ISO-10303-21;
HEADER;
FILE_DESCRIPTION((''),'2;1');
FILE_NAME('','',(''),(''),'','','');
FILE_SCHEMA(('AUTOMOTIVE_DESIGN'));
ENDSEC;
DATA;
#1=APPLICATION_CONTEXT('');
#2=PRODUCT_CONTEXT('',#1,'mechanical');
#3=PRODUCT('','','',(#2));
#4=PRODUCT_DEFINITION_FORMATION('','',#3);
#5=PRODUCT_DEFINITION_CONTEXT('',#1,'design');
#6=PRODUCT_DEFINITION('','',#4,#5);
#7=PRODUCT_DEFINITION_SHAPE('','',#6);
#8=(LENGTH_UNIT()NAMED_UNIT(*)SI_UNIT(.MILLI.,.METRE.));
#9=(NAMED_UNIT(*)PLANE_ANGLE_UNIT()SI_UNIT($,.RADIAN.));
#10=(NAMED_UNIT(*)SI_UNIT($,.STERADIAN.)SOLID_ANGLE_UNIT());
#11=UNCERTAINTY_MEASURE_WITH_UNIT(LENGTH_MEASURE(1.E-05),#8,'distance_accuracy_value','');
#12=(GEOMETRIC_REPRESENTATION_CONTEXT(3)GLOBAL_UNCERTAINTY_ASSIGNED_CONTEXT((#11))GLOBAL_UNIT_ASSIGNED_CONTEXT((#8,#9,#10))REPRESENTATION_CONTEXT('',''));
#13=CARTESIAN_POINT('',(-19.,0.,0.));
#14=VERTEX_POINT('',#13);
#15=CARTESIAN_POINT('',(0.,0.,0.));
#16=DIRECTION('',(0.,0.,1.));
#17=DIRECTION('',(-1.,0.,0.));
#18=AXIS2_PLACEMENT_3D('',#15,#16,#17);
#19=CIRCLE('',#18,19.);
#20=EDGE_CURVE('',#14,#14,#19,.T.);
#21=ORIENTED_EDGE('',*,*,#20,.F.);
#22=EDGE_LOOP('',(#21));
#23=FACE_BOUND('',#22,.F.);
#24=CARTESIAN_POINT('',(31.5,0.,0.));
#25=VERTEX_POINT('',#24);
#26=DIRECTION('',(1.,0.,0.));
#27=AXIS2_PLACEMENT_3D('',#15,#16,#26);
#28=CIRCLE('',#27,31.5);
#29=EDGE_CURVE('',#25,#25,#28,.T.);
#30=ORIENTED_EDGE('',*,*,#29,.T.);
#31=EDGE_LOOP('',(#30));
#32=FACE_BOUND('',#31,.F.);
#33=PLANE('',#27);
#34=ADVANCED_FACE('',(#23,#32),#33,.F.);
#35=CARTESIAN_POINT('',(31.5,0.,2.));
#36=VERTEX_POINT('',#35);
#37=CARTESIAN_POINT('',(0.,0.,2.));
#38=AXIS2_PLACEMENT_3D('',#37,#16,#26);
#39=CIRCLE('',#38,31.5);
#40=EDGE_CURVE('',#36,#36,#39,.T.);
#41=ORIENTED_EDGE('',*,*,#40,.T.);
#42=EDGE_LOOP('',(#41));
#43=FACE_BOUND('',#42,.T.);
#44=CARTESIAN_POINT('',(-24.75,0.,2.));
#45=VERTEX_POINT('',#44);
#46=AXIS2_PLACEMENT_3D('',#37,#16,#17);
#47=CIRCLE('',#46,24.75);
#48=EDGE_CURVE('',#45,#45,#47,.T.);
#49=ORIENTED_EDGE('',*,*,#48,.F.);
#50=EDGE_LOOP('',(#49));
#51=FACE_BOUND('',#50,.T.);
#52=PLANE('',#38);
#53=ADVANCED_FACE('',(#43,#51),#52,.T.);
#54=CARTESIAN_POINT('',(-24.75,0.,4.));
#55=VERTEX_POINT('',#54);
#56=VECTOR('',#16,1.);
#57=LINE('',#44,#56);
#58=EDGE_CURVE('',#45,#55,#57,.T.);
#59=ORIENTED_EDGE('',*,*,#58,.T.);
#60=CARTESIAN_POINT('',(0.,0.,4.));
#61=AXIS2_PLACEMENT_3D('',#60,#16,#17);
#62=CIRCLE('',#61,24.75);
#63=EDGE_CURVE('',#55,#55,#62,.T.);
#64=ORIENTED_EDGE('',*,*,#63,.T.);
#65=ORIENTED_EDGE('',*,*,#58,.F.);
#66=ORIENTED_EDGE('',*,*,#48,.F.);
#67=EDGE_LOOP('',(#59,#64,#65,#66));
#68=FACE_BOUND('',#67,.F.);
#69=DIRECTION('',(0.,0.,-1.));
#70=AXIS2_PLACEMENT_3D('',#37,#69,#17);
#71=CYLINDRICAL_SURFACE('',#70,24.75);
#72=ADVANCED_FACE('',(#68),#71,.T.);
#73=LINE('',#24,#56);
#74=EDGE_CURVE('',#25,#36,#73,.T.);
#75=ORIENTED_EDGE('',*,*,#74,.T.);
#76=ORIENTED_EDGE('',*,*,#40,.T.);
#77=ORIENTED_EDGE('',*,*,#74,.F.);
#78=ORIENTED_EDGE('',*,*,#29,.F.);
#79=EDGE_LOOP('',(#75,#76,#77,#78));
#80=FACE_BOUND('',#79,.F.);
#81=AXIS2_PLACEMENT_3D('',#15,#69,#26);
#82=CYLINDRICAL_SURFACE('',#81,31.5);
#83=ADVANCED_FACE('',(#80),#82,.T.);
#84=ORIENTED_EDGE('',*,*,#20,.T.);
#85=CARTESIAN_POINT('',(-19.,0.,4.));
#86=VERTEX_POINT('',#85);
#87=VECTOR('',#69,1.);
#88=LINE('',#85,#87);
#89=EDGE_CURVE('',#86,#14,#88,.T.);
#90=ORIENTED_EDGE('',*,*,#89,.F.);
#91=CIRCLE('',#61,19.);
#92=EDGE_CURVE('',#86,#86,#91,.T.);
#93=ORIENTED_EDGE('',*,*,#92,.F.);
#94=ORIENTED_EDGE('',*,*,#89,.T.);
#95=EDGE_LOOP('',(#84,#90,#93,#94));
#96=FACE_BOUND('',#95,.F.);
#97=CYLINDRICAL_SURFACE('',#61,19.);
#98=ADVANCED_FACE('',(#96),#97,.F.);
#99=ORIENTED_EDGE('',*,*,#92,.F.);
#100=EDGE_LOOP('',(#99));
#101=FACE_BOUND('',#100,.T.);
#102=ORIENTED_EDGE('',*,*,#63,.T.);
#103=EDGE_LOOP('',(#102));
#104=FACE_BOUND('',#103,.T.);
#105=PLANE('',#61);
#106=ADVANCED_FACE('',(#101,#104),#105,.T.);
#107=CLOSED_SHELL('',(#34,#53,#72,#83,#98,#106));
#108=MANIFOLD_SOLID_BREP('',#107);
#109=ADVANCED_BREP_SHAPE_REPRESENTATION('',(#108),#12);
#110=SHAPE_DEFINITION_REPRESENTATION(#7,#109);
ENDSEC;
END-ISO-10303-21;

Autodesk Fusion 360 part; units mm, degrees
sketch "Sketch1" plane through (0, 0, 0) normal (0, 0, 1) x (1, 0, 0)
  circle A0 centre (0, 0) radius 31.5
  dimension "d1" = 63
extrude "Extrude1" add sketch "Sketch1" along normal blind 2
sketch "Sketch2" plane through (0, 0, 2) normal (0, 0, 1) x (-1, 0, 0)
  circle A0 centre (0, 0) radius 31.5
  circle A1 centre (0, 0) radius 24.75
  dimension "d4" = 49.5
extrude "Extrude2" add sketch "Sketch2" along normal blind 2 contours A1
sketch "Sketch3" plane through (0, 0, 4) normal (0, 0, 1) x (-1, 0, 0)
  circle A0 centre (0, 0) radius 24.75
  circle A1 centre (0, 0) radius 19
  dimension "d7" = 38
extrude "Extrude3" cut sketch "Sketch3" against normal blind 30 contours A1
